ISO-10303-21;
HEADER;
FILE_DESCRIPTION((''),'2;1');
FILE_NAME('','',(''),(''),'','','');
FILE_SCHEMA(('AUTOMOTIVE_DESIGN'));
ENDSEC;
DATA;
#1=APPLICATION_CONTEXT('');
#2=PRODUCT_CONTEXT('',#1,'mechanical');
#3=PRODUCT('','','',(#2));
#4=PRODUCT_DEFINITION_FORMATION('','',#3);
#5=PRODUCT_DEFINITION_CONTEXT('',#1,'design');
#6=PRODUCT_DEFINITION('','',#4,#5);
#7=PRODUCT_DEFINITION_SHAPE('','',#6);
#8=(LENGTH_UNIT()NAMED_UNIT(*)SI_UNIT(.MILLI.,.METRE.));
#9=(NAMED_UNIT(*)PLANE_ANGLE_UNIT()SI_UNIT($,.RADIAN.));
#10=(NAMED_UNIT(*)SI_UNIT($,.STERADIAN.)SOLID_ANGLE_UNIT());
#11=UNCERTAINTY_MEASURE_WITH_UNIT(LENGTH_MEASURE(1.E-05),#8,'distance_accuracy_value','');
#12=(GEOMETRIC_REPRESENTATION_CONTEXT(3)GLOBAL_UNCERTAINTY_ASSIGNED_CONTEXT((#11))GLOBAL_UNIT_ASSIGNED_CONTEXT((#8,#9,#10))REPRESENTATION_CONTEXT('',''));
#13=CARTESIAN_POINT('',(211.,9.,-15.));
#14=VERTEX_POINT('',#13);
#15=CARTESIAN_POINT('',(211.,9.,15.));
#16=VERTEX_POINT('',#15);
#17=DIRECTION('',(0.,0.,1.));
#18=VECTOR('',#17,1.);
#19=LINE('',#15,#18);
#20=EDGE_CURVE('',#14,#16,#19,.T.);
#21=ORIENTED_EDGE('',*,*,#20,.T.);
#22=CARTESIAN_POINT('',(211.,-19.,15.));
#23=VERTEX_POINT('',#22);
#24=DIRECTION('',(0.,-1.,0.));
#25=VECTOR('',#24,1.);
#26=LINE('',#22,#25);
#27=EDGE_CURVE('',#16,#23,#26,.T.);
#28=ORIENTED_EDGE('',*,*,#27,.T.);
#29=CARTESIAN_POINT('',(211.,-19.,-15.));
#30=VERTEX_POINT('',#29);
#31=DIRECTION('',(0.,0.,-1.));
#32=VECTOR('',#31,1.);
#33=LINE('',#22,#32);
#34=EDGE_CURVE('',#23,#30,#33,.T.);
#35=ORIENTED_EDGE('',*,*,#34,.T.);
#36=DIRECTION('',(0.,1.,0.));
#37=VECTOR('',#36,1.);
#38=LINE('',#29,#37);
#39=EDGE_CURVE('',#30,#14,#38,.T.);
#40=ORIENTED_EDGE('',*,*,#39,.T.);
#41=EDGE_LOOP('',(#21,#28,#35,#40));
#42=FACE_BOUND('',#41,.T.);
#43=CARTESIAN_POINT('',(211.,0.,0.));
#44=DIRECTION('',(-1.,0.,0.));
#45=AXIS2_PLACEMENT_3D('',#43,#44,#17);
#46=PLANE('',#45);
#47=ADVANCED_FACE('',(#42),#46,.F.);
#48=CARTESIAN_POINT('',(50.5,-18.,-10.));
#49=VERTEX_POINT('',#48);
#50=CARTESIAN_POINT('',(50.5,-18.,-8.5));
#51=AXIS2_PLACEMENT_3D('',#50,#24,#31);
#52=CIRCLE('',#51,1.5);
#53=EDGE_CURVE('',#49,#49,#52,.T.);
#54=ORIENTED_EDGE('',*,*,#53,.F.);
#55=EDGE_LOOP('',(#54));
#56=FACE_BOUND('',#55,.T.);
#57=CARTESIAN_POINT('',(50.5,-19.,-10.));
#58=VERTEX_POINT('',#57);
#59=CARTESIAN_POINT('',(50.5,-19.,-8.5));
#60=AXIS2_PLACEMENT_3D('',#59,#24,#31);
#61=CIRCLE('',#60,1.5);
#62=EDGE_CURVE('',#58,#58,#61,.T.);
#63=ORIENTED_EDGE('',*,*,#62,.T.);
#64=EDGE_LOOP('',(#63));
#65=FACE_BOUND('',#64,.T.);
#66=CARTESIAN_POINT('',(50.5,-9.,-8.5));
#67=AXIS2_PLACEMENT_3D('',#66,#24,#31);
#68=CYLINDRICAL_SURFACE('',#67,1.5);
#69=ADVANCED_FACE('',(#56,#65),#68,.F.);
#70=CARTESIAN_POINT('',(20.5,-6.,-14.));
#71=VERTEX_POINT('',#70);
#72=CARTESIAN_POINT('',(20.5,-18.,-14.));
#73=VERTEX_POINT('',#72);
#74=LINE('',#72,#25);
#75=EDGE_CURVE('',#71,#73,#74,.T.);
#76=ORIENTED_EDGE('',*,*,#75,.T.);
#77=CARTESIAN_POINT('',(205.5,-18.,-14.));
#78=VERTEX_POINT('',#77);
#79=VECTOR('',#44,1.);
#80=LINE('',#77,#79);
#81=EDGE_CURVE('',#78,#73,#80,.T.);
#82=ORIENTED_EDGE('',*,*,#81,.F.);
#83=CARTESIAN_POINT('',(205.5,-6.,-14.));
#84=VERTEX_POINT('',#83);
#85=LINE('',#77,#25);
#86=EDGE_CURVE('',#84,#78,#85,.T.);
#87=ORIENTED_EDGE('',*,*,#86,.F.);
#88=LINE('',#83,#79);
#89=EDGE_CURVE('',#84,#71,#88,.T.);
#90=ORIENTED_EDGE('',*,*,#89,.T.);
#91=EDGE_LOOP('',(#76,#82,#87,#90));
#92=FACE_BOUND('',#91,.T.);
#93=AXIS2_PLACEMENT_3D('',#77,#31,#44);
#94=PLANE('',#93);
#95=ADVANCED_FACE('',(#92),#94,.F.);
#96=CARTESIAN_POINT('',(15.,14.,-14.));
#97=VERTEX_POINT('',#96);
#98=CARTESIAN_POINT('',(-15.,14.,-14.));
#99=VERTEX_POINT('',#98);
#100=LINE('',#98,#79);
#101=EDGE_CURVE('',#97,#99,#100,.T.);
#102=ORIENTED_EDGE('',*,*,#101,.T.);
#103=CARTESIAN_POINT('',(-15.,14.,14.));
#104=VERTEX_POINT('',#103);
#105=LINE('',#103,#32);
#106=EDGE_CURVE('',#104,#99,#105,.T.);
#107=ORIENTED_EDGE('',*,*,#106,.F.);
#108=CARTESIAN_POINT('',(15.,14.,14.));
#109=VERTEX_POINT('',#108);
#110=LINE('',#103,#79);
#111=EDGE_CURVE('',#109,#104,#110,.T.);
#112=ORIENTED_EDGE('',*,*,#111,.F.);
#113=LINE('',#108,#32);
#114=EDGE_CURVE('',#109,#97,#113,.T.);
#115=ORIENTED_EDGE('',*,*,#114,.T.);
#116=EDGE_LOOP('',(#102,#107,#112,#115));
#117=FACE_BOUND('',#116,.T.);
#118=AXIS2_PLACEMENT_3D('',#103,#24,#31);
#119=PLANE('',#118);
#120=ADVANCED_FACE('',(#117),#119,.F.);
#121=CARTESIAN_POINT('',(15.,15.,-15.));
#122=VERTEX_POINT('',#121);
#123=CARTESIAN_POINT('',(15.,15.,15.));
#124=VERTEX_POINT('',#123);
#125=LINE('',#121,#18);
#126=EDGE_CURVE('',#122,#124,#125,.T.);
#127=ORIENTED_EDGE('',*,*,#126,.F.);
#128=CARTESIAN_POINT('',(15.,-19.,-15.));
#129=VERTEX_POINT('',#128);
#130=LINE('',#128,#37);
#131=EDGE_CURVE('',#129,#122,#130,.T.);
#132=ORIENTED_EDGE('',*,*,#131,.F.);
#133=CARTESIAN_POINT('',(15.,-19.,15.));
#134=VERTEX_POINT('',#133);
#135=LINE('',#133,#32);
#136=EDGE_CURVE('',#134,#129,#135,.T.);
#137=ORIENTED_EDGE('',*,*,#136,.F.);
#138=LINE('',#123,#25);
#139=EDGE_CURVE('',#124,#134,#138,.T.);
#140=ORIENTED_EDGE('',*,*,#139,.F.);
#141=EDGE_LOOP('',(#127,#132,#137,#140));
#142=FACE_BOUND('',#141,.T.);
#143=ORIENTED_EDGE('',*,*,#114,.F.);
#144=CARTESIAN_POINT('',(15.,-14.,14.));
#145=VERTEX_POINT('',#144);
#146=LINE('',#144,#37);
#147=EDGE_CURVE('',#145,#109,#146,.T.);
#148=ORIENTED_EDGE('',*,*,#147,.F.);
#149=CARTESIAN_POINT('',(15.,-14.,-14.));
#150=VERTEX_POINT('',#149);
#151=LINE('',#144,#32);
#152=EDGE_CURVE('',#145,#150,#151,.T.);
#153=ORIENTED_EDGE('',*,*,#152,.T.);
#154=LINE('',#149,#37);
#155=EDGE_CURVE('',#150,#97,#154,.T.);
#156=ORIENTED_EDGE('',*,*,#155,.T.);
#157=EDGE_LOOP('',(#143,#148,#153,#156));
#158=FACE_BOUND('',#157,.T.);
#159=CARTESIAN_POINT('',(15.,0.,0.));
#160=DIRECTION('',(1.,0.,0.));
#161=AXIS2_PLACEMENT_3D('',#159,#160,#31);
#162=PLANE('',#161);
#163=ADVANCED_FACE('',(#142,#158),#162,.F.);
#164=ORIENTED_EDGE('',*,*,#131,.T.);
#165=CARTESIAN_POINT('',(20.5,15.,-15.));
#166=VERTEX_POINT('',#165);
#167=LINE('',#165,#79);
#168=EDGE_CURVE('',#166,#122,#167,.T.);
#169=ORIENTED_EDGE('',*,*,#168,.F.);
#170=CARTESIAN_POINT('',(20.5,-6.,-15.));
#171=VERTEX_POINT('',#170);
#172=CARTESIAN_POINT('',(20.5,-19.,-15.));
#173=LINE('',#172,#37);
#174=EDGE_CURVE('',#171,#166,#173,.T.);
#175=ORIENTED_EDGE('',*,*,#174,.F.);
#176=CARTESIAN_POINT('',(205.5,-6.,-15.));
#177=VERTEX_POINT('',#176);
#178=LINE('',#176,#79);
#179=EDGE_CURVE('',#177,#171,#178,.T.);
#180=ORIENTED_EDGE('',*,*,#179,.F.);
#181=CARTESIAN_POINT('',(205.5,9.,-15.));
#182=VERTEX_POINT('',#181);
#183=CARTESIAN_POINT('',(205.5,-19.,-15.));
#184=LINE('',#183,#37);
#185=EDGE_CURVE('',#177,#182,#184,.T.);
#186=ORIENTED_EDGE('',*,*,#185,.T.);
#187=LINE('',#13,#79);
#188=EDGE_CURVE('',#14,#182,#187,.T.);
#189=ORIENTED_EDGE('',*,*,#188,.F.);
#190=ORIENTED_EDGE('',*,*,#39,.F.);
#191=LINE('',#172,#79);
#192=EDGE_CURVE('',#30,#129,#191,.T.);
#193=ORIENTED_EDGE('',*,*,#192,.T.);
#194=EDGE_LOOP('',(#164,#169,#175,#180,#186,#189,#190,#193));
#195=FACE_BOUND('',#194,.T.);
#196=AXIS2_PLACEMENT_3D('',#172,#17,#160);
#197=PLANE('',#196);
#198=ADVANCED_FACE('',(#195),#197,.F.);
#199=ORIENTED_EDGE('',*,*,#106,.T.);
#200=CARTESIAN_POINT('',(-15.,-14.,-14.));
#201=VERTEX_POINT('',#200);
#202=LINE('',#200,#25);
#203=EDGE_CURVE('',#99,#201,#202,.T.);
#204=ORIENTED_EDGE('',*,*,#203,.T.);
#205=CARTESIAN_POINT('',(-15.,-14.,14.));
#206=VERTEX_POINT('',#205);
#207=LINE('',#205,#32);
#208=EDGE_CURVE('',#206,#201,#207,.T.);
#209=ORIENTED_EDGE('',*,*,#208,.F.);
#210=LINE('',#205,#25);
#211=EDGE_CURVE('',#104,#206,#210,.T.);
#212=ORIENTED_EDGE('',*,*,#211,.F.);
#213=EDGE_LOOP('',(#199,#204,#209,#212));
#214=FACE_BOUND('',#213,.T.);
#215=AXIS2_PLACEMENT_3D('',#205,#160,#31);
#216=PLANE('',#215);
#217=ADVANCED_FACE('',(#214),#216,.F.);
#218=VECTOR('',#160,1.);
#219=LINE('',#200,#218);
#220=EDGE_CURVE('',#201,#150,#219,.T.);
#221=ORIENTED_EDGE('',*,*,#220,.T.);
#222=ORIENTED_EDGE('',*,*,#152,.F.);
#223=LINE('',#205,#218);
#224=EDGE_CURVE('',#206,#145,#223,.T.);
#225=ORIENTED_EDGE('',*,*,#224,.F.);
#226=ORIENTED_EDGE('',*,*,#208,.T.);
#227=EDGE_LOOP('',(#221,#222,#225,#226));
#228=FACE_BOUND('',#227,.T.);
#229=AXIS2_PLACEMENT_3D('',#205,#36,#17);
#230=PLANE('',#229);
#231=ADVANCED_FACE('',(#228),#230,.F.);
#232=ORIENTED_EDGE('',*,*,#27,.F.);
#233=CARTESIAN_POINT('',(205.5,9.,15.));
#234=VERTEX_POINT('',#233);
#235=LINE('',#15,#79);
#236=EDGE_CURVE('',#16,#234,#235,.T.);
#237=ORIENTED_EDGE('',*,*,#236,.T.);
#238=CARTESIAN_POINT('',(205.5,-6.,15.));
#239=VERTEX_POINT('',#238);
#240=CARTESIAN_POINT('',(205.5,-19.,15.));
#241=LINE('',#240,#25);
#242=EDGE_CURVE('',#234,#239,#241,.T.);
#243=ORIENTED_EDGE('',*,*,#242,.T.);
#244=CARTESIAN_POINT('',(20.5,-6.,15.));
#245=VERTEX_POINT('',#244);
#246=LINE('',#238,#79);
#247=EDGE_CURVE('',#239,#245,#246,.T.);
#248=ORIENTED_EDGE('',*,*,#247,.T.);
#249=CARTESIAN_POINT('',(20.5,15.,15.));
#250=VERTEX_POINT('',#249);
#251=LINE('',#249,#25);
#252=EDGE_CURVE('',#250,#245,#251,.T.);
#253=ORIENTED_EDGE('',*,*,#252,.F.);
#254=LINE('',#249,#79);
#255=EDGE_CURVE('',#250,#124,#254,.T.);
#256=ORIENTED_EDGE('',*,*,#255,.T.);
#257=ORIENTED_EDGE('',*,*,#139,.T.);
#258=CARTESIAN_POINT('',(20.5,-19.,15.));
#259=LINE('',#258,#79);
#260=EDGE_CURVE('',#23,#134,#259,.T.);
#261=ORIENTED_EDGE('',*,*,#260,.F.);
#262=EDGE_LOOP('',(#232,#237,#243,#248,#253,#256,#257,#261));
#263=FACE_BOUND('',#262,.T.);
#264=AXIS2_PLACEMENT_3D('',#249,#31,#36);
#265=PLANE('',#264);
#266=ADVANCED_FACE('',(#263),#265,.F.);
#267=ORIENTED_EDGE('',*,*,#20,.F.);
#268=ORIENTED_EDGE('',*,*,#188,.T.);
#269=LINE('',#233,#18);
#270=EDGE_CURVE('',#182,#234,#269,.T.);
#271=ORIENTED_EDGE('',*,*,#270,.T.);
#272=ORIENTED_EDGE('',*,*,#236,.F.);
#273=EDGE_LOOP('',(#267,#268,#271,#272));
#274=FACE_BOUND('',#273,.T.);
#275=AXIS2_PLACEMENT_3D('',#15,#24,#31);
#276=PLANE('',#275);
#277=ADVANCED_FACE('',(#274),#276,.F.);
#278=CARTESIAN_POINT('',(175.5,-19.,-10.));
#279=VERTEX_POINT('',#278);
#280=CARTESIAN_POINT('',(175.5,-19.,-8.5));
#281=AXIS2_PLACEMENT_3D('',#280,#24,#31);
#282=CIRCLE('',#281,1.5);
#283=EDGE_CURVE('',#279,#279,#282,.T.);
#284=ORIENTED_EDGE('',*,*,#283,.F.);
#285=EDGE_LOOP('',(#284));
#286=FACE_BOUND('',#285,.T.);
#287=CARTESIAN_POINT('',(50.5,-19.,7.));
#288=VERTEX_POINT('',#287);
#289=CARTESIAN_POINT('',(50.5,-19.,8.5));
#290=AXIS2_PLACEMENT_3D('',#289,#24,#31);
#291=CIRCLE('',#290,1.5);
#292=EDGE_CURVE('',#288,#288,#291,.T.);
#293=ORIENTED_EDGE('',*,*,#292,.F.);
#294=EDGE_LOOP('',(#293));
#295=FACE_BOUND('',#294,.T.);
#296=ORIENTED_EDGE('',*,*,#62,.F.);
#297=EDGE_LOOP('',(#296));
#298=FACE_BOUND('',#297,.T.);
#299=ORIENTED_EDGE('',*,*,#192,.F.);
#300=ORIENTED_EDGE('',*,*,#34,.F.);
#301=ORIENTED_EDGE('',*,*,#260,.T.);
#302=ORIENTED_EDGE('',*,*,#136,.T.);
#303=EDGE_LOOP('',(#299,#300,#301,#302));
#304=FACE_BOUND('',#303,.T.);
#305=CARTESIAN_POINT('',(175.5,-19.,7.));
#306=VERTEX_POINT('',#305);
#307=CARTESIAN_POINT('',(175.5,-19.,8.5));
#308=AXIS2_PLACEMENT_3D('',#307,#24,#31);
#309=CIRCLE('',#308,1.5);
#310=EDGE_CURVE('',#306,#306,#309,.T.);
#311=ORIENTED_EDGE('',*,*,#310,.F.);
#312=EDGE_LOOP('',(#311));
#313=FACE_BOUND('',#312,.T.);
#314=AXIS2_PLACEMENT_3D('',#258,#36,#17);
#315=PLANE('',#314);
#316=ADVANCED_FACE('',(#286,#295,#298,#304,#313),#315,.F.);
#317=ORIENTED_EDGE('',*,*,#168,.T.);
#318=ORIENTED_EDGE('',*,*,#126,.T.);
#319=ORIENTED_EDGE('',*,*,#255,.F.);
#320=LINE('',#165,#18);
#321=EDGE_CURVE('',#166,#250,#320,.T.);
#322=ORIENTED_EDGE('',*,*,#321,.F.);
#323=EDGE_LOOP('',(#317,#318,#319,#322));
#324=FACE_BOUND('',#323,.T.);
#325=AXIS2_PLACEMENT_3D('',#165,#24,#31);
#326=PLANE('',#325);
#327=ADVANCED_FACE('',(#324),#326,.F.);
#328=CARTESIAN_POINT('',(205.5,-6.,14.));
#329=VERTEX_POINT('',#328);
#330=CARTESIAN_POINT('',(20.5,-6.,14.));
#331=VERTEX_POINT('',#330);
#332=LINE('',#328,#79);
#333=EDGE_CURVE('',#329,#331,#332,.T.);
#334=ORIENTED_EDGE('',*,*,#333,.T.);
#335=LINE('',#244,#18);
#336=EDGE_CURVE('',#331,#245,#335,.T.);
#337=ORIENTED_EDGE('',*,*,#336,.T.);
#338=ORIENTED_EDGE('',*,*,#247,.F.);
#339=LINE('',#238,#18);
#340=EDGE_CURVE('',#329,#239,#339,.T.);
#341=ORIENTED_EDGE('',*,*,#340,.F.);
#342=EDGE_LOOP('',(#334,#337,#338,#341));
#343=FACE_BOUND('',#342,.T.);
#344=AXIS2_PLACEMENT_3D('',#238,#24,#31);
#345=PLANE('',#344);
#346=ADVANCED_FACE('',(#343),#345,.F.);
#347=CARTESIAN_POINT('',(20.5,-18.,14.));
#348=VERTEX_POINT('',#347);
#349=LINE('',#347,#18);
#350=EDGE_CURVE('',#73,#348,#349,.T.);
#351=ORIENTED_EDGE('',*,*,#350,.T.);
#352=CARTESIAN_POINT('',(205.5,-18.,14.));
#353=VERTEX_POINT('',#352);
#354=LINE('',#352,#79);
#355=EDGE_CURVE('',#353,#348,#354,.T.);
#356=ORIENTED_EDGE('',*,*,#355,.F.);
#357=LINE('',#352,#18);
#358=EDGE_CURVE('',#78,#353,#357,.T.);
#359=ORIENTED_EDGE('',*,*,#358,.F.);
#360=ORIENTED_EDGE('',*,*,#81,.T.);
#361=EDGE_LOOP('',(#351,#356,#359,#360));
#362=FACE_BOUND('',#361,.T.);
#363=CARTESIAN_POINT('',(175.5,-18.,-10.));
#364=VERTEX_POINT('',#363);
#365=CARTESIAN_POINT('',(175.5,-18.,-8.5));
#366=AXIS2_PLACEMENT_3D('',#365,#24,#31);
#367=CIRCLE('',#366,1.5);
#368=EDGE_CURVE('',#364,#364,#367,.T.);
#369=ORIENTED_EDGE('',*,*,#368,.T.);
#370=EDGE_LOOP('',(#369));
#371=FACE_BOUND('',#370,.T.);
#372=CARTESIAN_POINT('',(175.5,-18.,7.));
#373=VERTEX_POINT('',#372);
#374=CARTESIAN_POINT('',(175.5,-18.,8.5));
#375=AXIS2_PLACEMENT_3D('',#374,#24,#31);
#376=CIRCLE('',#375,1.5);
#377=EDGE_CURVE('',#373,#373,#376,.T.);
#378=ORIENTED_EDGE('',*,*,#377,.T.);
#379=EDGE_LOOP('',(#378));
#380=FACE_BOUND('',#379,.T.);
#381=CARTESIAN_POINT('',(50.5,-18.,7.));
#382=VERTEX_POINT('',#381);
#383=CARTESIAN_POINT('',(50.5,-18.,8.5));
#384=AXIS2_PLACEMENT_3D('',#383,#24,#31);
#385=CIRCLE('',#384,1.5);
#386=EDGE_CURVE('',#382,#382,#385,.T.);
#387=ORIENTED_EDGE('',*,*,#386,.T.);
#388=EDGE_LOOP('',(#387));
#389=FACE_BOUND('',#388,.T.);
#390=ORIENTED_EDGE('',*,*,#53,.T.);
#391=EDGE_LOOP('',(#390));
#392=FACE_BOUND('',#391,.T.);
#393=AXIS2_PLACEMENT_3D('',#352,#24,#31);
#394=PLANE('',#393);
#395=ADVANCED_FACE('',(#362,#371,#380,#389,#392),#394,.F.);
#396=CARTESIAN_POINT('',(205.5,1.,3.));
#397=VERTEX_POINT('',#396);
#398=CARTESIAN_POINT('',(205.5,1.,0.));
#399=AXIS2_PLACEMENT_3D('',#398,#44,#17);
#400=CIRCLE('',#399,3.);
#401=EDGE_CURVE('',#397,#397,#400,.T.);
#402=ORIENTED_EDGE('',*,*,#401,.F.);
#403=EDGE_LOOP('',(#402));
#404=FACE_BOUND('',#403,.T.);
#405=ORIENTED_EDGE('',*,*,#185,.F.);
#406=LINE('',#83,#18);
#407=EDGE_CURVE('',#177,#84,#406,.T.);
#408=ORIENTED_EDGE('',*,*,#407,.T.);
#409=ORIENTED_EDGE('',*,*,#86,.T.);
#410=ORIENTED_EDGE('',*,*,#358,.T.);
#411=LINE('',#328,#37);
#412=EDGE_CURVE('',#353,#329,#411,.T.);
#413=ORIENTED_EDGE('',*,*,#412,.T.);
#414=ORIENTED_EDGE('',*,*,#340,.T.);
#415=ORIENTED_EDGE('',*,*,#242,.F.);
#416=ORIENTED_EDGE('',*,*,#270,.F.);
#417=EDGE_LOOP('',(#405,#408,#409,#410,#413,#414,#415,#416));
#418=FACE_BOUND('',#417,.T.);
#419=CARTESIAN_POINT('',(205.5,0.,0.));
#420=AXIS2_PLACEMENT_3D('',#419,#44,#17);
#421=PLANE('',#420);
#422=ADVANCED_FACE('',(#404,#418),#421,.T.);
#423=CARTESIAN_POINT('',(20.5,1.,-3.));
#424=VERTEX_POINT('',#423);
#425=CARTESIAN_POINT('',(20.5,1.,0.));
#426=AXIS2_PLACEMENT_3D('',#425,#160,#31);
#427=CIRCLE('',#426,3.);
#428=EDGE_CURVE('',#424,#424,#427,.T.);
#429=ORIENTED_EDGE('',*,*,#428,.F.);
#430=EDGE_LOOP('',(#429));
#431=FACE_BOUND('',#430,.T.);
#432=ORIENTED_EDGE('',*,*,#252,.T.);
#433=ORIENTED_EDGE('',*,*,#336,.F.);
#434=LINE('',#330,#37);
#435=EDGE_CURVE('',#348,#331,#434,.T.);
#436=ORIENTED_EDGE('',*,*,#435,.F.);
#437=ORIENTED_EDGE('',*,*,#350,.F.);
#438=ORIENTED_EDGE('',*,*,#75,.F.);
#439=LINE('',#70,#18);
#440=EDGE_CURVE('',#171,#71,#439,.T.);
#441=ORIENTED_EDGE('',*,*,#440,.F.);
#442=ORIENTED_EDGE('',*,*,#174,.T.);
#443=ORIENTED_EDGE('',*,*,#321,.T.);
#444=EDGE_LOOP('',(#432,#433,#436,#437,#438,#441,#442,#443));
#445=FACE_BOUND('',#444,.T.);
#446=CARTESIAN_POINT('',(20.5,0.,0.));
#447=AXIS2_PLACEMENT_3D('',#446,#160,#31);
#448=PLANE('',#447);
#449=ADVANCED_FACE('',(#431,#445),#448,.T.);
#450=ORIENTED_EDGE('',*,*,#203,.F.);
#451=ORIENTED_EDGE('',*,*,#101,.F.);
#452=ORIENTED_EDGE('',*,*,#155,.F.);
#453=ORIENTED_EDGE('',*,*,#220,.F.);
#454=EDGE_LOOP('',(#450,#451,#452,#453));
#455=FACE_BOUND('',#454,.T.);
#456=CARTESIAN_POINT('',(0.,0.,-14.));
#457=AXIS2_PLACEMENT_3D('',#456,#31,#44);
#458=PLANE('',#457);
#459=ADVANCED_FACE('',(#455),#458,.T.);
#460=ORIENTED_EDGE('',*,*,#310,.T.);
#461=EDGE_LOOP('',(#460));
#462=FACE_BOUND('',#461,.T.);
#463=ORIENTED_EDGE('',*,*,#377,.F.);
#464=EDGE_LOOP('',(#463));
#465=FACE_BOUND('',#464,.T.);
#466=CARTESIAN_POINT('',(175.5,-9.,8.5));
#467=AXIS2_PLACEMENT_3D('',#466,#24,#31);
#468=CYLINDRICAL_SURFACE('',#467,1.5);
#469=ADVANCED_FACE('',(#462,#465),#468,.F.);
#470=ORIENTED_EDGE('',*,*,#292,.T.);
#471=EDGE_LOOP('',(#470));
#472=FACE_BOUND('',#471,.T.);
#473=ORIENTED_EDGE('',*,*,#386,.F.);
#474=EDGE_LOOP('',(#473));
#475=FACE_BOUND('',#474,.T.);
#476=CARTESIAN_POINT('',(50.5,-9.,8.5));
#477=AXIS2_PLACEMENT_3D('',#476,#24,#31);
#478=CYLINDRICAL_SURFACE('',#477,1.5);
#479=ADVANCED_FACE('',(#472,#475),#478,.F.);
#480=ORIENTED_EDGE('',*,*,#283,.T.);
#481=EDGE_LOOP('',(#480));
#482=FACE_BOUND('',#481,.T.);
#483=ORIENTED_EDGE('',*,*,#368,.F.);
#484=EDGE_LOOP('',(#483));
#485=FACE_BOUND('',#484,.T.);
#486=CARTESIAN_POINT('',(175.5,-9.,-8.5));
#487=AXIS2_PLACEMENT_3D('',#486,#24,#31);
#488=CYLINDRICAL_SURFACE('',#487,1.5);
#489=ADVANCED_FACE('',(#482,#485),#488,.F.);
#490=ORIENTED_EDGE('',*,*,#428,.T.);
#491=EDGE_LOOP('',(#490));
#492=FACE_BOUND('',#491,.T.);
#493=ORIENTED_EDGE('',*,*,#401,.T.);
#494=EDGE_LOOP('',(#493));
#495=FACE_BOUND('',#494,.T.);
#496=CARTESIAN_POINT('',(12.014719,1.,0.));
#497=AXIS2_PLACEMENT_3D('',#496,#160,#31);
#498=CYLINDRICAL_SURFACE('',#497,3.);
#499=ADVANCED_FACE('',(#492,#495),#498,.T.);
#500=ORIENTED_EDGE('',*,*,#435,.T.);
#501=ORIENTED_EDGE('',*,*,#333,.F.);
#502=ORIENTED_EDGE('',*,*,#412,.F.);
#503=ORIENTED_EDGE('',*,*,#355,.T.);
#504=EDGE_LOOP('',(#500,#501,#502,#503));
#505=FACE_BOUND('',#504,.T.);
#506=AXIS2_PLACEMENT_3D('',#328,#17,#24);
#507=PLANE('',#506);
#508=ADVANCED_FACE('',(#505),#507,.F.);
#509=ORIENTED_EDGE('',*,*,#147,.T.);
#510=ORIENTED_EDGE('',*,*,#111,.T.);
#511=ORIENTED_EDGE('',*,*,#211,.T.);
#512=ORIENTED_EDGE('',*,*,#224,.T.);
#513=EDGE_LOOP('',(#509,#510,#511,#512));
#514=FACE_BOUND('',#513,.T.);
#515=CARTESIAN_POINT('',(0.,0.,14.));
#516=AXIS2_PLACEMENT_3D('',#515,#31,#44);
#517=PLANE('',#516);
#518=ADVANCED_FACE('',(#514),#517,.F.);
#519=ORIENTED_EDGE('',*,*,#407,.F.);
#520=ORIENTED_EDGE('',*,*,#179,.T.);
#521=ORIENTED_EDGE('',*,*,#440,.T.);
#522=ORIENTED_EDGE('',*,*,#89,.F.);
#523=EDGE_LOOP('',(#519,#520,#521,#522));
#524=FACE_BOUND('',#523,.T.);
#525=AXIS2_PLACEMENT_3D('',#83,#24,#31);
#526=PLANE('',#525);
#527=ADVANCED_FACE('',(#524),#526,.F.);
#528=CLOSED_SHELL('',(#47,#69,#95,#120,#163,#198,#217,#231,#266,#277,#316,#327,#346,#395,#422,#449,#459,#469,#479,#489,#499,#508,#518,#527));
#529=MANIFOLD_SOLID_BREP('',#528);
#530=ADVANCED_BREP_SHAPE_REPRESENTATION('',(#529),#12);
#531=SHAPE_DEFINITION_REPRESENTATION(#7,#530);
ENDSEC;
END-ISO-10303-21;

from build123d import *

# Parameters (mm, degrees)
SKETCH_1_W         = 30
SKETCH_1_H         = 28
EXTRUDE_1_DEPTH    = 14
SKETCH_2_W         = 30
SKETCH_2_H         = 34
EXTRUDE_2_DEPTH    = 5.5
EXTRUDE_3_DEPTH    = 185
SKETCH_4_W         = 30
SKETCH_4_H         = 28
EXTRUDE_4_DEPTH    = 5.5
SKETCH_5_R         = 3
EXTRUDE_5_DEPTH    = 190.5
SKETCH1_R          = 1.5
CUT_EXTRUDE1_DEPTH = 10


with BuildPart() as part:
    # 草图1 → 凸台-拉伸1 (new body, symmetric)
    with BuildSketch(Plane.XY):
        Rectangle(SKETCH_1_W, SKETCH_1_H)
    extrude(amount=EXTRUDE_1_DEPTH, both=True)

    # 草图2 → 凸台-拉伸2 (add)
    with BuildSketch(Plane(origin=(15, 0, 0), x_dir=(0, 0, -1), z_dir=(1, 0, 0))):
        with Locations((0, -2)):
            Rectangle(SKETCH_2_W, SKETCH_2_H)
    extrude(amount=EXTRUDE_2_DEPTH)

    # 草图3 → 凸台-拉伸3 (add)
    with BuildSketch(Plane(origin=(20.5, 0, 0), x_dir=(0, 0, -1), z_dir=(1, 0, 0))):
        Polygon((-15, -19), (15, -19), (15, -6), (14, -6), (14, -18), (-14, -18), (-14, -6), (-15, -6), align=None)
    extrude(amount=EXTRUDE_3_DEPTH)

    # 草图4 → 凸台-拉伸4 (add)
    with BuildSketch(Plane(origin=(205.5, 0, 0), x_dir=(0, 0, -1), z_dir=(1, 0, 0))):
        with Locations((0, -5)):
            Rectangle(SKETCH_4_W, SKETCH_4_H)
    extrude(amount=EXTRUDE_4_DEPTH)

    # 草图5 → 凸台-拉伸5 (add)
    with BuildSketch(Plane(origin=(211, 0, 0), x_dir=(0, 0, -1), z_dir=(1, 0, 0))):
        with Locations((0, 1)):
            Circle(SKETCH_5_R)
    extrude(amount=-EXTRUDE_5_DEPTH)

    # Sketch1 → Cut-Extrude1 (cut)
    with BuildSketch(Plane.XZ.offset(19)):
        with Locations((50.5, 8.5)):
            Circle(SKETCH1_R)
        with Locations((175.5, 8.5)):
            Circle(SKETCH1_R)
        with Locations((175.5, -8.5)):
            Circle(SKETCH1_R)
        with Locations((50.5, -8.5)):
            Circle(SKETCH1_R)
    extrude(amount=-CUT_EXTRUDE1_DEPTH, mode=Mode.SUBTRACT)


solid = part.part
